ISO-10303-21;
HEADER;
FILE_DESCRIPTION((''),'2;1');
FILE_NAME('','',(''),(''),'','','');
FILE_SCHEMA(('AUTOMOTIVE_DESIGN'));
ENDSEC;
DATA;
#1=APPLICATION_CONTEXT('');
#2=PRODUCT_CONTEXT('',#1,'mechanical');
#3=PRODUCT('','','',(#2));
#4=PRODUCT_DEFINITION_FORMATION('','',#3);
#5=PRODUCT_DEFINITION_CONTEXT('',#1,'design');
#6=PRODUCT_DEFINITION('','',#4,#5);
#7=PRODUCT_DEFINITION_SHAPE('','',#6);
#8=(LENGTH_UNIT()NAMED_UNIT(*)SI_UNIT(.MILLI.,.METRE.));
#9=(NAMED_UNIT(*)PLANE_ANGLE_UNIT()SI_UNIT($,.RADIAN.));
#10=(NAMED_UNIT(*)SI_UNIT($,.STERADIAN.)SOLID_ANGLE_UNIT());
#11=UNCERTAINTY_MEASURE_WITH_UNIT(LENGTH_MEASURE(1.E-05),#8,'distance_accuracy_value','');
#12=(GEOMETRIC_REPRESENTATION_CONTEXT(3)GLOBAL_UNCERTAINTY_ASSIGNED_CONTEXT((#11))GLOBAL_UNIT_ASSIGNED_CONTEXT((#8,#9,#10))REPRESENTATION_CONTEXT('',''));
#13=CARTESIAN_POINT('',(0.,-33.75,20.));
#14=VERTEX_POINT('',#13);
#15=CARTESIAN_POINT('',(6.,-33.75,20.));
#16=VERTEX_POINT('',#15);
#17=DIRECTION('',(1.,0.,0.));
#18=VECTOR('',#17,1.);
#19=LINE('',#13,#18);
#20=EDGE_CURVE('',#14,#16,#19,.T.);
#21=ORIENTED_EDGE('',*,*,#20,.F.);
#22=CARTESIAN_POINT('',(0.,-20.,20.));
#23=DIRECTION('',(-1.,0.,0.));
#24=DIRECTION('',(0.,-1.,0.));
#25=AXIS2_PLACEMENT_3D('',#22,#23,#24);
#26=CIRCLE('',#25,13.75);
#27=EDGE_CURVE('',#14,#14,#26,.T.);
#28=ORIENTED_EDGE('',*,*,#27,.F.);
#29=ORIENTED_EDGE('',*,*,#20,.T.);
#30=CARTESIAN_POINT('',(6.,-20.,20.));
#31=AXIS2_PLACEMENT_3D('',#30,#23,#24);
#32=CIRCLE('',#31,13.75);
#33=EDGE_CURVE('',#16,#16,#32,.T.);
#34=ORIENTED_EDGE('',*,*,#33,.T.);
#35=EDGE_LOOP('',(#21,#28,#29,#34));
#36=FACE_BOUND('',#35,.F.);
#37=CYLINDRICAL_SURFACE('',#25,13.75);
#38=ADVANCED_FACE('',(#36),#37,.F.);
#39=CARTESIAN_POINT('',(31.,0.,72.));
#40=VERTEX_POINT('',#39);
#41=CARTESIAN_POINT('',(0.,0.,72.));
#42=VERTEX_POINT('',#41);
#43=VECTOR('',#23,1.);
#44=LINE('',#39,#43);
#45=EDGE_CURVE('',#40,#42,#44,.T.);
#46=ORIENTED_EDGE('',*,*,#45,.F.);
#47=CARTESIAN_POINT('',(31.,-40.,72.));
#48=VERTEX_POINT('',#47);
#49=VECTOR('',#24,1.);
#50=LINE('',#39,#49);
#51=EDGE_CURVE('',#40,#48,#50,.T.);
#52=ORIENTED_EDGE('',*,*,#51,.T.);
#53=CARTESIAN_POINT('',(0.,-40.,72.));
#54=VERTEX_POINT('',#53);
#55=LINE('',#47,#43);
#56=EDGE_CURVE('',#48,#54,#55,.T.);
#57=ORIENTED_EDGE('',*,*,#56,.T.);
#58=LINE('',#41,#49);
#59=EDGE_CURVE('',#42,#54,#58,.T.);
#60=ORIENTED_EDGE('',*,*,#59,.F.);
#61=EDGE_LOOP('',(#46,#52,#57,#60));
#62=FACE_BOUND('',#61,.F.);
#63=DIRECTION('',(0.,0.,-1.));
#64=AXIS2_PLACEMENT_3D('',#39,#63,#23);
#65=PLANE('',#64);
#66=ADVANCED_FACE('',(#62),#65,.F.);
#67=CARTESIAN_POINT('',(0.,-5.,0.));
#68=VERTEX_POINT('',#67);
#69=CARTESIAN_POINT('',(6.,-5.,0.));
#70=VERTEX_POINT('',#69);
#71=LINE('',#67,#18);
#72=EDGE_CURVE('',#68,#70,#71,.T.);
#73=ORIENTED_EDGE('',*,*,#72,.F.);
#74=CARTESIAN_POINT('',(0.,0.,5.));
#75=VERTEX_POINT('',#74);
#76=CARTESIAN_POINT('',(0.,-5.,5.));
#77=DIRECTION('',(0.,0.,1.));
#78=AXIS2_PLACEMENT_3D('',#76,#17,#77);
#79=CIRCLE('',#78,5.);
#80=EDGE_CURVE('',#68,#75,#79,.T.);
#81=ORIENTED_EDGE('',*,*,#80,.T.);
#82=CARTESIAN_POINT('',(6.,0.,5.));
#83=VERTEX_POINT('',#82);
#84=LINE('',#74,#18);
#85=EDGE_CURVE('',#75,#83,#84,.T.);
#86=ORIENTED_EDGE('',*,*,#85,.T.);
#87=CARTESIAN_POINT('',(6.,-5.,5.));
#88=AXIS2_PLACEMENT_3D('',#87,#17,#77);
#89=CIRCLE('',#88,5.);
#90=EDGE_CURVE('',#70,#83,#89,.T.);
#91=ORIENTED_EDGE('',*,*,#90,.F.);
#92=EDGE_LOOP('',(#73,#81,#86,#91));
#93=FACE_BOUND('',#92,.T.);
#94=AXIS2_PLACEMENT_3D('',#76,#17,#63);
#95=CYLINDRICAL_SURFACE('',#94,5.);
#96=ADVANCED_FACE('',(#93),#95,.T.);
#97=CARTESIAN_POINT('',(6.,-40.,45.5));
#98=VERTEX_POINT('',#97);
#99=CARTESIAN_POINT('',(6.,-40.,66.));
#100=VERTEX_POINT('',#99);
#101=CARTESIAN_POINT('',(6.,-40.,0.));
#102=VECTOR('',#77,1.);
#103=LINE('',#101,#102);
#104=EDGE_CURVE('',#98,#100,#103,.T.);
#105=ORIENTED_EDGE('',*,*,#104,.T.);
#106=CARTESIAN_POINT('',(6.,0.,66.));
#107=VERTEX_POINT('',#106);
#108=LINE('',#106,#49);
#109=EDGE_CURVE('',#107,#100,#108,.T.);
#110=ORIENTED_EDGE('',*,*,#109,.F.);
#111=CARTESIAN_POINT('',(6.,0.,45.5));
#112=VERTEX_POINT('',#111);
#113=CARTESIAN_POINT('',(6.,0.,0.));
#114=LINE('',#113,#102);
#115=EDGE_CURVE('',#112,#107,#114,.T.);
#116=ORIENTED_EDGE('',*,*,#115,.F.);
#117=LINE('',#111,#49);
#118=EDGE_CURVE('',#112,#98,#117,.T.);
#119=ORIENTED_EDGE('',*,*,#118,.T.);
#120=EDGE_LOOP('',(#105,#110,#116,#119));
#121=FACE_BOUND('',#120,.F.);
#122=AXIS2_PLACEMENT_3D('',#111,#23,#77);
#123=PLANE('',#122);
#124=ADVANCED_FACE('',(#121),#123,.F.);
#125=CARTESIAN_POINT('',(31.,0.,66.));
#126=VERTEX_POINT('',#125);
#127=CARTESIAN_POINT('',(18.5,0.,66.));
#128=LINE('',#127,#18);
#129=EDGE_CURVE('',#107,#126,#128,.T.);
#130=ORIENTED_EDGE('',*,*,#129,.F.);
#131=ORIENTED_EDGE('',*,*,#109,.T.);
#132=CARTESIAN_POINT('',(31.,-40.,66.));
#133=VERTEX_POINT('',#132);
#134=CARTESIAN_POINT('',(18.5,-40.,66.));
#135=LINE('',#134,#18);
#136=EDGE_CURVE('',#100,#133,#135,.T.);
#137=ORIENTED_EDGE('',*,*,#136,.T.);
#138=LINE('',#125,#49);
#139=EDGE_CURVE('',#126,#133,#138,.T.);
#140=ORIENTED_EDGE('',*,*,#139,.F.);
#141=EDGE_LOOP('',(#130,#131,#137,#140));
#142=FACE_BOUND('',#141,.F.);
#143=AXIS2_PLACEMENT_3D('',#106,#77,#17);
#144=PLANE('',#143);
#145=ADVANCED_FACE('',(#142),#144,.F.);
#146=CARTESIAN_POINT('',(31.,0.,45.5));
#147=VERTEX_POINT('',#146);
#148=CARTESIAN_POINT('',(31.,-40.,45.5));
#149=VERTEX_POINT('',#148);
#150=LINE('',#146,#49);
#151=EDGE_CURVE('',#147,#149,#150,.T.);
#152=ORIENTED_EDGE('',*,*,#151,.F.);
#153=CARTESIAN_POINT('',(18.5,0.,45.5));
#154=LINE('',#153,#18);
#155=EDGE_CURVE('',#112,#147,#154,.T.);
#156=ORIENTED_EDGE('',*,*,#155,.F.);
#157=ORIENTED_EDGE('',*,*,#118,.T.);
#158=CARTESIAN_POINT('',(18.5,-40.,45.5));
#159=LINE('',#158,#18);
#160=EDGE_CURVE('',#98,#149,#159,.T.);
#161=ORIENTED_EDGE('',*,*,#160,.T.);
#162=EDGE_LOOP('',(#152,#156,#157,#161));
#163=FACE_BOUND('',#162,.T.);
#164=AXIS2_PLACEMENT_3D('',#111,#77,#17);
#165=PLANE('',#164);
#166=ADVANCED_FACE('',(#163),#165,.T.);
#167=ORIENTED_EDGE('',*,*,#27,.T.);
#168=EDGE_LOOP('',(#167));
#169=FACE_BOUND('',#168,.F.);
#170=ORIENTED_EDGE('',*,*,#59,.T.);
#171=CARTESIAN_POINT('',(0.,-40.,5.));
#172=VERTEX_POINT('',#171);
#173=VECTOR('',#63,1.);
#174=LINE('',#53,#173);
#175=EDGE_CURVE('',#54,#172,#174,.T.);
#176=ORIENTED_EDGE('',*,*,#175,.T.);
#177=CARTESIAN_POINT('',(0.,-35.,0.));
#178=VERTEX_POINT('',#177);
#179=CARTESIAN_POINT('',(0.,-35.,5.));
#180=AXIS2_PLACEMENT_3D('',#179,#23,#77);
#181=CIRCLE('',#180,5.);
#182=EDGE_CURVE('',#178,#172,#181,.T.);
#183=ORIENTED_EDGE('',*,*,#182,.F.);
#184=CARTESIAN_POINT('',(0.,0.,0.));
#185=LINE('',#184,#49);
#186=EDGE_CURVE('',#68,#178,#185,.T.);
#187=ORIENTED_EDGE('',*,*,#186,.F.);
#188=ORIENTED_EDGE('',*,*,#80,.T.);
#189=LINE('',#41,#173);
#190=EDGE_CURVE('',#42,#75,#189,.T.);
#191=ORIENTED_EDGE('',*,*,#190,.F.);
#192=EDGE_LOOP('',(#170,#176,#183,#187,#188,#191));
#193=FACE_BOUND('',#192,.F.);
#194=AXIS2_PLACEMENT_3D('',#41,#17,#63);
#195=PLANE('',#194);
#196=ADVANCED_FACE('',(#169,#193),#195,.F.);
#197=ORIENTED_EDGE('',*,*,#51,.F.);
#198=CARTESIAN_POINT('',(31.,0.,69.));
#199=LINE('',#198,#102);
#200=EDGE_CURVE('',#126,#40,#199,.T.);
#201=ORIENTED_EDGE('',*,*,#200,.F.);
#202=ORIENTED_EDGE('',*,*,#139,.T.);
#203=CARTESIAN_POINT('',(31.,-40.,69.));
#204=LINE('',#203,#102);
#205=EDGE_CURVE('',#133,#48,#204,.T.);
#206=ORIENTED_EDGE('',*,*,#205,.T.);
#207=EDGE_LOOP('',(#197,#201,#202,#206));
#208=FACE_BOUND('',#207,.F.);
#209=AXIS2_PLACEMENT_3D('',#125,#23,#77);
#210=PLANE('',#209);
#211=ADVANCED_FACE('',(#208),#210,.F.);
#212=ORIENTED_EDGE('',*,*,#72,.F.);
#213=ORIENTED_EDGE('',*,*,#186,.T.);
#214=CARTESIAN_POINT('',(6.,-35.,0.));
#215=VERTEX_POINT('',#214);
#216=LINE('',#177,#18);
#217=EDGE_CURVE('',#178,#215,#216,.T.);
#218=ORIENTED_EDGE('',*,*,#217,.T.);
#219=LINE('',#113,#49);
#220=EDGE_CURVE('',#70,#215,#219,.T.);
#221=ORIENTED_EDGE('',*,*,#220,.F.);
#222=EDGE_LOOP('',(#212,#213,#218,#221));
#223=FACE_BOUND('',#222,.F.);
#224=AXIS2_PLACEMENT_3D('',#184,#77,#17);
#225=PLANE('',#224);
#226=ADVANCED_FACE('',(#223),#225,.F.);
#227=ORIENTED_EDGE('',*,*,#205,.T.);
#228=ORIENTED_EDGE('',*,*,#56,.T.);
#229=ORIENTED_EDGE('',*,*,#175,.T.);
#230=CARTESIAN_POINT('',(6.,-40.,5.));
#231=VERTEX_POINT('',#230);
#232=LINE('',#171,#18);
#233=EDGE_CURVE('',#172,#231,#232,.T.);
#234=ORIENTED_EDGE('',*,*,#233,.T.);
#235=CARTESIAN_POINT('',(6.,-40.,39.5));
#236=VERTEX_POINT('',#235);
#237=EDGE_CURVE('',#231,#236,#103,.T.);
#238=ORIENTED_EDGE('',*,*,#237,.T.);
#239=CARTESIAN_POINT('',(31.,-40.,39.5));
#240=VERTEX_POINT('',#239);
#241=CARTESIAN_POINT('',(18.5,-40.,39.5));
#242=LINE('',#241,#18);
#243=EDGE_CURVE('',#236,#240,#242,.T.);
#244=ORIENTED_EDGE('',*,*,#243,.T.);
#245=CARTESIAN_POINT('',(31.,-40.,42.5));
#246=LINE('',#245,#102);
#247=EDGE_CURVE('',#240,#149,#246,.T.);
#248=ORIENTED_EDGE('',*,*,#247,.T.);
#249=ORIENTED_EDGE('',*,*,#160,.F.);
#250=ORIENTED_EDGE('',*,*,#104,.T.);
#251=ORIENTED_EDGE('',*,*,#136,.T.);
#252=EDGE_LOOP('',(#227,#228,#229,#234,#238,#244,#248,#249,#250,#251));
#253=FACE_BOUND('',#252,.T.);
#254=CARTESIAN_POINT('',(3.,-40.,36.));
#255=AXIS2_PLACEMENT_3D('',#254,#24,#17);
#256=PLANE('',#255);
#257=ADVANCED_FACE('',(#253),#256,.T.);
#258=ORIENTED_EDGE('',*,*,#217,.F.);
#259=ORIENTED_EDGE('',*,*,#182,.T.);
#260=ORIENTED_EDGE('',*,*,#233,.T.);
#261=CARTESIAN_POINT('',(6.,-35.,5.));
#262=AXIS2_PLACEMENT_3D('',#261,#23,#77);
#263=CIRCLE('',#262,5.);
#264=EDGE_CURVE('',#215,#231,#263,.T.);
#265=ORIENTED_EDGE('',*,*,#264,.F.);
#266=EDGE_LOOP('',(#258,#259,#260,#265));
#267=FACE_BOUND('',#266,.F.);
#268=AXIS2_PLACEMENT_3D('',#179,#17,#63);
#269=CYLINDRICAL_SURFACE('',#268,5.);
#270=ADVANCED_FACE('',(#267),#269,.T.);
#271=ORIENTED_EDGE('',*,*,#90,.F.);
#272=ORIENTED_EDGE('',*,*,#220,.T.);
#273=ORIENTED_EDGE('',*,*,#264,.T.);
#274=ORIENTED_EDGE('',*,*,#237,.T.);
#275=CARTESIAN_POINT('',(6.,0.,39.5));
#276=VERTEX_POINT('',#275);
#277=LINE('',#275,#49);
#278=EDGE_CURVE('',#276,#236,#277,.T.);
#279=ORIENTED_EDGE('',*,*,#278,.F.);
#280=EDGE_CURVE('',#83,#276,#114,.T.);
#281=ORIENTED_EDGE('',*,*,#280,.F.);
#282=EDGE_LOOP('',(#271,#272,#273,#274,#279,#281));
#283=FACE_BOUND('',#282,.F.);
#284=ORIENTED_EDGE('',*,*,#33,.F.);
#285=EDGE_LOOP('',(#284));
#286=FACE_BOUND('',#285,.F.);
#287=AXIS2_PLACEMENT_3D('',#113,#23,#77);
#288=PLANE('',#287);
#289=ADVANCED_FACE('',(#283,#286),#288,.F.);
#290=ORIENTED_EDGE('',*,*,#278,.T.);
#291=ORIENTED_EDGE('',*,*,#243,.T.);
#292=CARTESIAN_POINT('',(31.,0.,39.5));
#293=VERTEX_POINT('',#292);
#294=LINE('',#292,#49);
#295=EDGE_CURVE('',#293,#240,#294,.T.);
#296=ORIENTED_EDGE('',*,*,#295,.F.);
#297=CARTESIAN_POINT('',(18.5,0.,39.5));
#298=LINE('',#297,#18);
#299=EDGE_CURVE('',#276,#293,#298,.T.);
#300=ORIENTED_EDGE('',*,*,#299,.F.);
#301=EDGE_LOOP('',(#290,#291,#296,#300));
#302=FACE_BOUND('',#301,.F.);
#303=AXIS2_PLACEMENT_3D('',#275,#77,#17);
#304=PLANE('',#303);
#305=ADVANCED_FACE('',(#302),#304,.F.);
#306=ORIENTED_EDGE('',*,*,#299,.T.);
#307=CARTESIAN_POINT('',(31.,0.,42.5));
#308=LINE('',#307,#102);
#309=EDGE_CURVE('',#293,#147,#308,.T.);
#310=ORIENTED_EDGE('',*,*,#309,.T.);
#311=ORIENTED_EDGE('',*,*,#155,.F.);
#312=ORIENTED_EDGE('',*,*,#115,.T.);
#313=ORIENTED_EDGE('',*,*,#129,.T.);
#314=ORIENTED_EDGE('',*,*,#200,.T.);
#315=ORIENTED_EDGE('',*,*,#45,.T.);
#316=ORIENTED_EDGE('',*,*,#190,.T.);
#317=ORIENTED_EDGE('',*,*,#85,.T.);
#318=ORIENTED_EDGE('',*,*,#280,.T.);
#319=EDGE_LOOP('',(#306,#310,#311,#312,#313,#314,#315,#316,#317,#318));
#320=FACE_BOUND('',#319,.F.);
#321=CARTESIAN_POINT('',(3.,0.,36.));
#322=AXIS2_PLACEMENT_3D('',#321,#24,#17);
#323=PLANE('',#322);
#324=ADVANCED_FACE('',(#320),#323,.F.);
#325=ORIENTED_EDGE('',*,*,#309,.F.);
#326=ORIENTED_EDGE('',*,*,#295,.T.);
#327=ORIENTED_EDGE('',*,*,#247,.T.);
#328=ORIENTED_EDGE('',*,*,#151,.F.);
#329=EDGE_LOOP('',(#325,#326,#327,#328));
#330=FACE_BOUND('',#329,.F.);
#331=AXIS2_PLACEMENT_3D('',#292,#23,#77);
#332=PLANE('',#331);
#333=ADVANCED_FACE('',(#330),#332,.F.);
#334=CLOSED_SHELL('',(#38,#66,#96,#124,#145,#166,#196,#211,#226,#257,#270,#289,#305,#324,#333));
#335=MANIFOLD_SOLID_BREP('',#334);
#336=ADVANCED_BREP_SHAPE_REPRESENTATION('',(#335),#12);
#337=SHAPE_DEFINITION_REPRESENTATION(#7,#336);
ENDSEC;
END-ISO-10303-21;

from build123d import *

# Parameters (mm, degrees)
F0_W     = 25
F0_H     = 6
F1_DEPTH = 40
F2_R     = 5
F3_R     = 13.75
F4_DEPTH = 25


with BuildPart() as f1:
    # F0 (on Front) → F1 (new body)
    with BuildSketch(Plane.XZ):
        Polygon((0, 72), (0, 0), (6, 0), (6, 39.5), (6, 45.5), (6, 66), (6, 72), align=None)
        with Locations((18.5, 42.5)):
            Rectangle(F0_W, F0_H)
        with Locations((18.5, 69)):
            Rectangle(F0_W, F0_H)
    extrude(amount=F1_DEPTH)

    # F2
    f2_edges = [f1.edges().sort_by_distance(p)[0] for p in [
        (3, 0, 0),
        (3, -40, 0),
    ]]
    fillet(f2_edges, radius=F2_R)

    # F3 (on face) → F4 (cut)
    with BuildSketch(Plane(origin=(0, 0, 0), x_dir=(0, -1, 0), z_dir=(-1, 0, 0))):
        with Locations((20, 20)):
            Circle(F3_R)
    extrude(amount=-F4_DEPTH, mode=Mode.SUBTRACT)


solid = f1.part
